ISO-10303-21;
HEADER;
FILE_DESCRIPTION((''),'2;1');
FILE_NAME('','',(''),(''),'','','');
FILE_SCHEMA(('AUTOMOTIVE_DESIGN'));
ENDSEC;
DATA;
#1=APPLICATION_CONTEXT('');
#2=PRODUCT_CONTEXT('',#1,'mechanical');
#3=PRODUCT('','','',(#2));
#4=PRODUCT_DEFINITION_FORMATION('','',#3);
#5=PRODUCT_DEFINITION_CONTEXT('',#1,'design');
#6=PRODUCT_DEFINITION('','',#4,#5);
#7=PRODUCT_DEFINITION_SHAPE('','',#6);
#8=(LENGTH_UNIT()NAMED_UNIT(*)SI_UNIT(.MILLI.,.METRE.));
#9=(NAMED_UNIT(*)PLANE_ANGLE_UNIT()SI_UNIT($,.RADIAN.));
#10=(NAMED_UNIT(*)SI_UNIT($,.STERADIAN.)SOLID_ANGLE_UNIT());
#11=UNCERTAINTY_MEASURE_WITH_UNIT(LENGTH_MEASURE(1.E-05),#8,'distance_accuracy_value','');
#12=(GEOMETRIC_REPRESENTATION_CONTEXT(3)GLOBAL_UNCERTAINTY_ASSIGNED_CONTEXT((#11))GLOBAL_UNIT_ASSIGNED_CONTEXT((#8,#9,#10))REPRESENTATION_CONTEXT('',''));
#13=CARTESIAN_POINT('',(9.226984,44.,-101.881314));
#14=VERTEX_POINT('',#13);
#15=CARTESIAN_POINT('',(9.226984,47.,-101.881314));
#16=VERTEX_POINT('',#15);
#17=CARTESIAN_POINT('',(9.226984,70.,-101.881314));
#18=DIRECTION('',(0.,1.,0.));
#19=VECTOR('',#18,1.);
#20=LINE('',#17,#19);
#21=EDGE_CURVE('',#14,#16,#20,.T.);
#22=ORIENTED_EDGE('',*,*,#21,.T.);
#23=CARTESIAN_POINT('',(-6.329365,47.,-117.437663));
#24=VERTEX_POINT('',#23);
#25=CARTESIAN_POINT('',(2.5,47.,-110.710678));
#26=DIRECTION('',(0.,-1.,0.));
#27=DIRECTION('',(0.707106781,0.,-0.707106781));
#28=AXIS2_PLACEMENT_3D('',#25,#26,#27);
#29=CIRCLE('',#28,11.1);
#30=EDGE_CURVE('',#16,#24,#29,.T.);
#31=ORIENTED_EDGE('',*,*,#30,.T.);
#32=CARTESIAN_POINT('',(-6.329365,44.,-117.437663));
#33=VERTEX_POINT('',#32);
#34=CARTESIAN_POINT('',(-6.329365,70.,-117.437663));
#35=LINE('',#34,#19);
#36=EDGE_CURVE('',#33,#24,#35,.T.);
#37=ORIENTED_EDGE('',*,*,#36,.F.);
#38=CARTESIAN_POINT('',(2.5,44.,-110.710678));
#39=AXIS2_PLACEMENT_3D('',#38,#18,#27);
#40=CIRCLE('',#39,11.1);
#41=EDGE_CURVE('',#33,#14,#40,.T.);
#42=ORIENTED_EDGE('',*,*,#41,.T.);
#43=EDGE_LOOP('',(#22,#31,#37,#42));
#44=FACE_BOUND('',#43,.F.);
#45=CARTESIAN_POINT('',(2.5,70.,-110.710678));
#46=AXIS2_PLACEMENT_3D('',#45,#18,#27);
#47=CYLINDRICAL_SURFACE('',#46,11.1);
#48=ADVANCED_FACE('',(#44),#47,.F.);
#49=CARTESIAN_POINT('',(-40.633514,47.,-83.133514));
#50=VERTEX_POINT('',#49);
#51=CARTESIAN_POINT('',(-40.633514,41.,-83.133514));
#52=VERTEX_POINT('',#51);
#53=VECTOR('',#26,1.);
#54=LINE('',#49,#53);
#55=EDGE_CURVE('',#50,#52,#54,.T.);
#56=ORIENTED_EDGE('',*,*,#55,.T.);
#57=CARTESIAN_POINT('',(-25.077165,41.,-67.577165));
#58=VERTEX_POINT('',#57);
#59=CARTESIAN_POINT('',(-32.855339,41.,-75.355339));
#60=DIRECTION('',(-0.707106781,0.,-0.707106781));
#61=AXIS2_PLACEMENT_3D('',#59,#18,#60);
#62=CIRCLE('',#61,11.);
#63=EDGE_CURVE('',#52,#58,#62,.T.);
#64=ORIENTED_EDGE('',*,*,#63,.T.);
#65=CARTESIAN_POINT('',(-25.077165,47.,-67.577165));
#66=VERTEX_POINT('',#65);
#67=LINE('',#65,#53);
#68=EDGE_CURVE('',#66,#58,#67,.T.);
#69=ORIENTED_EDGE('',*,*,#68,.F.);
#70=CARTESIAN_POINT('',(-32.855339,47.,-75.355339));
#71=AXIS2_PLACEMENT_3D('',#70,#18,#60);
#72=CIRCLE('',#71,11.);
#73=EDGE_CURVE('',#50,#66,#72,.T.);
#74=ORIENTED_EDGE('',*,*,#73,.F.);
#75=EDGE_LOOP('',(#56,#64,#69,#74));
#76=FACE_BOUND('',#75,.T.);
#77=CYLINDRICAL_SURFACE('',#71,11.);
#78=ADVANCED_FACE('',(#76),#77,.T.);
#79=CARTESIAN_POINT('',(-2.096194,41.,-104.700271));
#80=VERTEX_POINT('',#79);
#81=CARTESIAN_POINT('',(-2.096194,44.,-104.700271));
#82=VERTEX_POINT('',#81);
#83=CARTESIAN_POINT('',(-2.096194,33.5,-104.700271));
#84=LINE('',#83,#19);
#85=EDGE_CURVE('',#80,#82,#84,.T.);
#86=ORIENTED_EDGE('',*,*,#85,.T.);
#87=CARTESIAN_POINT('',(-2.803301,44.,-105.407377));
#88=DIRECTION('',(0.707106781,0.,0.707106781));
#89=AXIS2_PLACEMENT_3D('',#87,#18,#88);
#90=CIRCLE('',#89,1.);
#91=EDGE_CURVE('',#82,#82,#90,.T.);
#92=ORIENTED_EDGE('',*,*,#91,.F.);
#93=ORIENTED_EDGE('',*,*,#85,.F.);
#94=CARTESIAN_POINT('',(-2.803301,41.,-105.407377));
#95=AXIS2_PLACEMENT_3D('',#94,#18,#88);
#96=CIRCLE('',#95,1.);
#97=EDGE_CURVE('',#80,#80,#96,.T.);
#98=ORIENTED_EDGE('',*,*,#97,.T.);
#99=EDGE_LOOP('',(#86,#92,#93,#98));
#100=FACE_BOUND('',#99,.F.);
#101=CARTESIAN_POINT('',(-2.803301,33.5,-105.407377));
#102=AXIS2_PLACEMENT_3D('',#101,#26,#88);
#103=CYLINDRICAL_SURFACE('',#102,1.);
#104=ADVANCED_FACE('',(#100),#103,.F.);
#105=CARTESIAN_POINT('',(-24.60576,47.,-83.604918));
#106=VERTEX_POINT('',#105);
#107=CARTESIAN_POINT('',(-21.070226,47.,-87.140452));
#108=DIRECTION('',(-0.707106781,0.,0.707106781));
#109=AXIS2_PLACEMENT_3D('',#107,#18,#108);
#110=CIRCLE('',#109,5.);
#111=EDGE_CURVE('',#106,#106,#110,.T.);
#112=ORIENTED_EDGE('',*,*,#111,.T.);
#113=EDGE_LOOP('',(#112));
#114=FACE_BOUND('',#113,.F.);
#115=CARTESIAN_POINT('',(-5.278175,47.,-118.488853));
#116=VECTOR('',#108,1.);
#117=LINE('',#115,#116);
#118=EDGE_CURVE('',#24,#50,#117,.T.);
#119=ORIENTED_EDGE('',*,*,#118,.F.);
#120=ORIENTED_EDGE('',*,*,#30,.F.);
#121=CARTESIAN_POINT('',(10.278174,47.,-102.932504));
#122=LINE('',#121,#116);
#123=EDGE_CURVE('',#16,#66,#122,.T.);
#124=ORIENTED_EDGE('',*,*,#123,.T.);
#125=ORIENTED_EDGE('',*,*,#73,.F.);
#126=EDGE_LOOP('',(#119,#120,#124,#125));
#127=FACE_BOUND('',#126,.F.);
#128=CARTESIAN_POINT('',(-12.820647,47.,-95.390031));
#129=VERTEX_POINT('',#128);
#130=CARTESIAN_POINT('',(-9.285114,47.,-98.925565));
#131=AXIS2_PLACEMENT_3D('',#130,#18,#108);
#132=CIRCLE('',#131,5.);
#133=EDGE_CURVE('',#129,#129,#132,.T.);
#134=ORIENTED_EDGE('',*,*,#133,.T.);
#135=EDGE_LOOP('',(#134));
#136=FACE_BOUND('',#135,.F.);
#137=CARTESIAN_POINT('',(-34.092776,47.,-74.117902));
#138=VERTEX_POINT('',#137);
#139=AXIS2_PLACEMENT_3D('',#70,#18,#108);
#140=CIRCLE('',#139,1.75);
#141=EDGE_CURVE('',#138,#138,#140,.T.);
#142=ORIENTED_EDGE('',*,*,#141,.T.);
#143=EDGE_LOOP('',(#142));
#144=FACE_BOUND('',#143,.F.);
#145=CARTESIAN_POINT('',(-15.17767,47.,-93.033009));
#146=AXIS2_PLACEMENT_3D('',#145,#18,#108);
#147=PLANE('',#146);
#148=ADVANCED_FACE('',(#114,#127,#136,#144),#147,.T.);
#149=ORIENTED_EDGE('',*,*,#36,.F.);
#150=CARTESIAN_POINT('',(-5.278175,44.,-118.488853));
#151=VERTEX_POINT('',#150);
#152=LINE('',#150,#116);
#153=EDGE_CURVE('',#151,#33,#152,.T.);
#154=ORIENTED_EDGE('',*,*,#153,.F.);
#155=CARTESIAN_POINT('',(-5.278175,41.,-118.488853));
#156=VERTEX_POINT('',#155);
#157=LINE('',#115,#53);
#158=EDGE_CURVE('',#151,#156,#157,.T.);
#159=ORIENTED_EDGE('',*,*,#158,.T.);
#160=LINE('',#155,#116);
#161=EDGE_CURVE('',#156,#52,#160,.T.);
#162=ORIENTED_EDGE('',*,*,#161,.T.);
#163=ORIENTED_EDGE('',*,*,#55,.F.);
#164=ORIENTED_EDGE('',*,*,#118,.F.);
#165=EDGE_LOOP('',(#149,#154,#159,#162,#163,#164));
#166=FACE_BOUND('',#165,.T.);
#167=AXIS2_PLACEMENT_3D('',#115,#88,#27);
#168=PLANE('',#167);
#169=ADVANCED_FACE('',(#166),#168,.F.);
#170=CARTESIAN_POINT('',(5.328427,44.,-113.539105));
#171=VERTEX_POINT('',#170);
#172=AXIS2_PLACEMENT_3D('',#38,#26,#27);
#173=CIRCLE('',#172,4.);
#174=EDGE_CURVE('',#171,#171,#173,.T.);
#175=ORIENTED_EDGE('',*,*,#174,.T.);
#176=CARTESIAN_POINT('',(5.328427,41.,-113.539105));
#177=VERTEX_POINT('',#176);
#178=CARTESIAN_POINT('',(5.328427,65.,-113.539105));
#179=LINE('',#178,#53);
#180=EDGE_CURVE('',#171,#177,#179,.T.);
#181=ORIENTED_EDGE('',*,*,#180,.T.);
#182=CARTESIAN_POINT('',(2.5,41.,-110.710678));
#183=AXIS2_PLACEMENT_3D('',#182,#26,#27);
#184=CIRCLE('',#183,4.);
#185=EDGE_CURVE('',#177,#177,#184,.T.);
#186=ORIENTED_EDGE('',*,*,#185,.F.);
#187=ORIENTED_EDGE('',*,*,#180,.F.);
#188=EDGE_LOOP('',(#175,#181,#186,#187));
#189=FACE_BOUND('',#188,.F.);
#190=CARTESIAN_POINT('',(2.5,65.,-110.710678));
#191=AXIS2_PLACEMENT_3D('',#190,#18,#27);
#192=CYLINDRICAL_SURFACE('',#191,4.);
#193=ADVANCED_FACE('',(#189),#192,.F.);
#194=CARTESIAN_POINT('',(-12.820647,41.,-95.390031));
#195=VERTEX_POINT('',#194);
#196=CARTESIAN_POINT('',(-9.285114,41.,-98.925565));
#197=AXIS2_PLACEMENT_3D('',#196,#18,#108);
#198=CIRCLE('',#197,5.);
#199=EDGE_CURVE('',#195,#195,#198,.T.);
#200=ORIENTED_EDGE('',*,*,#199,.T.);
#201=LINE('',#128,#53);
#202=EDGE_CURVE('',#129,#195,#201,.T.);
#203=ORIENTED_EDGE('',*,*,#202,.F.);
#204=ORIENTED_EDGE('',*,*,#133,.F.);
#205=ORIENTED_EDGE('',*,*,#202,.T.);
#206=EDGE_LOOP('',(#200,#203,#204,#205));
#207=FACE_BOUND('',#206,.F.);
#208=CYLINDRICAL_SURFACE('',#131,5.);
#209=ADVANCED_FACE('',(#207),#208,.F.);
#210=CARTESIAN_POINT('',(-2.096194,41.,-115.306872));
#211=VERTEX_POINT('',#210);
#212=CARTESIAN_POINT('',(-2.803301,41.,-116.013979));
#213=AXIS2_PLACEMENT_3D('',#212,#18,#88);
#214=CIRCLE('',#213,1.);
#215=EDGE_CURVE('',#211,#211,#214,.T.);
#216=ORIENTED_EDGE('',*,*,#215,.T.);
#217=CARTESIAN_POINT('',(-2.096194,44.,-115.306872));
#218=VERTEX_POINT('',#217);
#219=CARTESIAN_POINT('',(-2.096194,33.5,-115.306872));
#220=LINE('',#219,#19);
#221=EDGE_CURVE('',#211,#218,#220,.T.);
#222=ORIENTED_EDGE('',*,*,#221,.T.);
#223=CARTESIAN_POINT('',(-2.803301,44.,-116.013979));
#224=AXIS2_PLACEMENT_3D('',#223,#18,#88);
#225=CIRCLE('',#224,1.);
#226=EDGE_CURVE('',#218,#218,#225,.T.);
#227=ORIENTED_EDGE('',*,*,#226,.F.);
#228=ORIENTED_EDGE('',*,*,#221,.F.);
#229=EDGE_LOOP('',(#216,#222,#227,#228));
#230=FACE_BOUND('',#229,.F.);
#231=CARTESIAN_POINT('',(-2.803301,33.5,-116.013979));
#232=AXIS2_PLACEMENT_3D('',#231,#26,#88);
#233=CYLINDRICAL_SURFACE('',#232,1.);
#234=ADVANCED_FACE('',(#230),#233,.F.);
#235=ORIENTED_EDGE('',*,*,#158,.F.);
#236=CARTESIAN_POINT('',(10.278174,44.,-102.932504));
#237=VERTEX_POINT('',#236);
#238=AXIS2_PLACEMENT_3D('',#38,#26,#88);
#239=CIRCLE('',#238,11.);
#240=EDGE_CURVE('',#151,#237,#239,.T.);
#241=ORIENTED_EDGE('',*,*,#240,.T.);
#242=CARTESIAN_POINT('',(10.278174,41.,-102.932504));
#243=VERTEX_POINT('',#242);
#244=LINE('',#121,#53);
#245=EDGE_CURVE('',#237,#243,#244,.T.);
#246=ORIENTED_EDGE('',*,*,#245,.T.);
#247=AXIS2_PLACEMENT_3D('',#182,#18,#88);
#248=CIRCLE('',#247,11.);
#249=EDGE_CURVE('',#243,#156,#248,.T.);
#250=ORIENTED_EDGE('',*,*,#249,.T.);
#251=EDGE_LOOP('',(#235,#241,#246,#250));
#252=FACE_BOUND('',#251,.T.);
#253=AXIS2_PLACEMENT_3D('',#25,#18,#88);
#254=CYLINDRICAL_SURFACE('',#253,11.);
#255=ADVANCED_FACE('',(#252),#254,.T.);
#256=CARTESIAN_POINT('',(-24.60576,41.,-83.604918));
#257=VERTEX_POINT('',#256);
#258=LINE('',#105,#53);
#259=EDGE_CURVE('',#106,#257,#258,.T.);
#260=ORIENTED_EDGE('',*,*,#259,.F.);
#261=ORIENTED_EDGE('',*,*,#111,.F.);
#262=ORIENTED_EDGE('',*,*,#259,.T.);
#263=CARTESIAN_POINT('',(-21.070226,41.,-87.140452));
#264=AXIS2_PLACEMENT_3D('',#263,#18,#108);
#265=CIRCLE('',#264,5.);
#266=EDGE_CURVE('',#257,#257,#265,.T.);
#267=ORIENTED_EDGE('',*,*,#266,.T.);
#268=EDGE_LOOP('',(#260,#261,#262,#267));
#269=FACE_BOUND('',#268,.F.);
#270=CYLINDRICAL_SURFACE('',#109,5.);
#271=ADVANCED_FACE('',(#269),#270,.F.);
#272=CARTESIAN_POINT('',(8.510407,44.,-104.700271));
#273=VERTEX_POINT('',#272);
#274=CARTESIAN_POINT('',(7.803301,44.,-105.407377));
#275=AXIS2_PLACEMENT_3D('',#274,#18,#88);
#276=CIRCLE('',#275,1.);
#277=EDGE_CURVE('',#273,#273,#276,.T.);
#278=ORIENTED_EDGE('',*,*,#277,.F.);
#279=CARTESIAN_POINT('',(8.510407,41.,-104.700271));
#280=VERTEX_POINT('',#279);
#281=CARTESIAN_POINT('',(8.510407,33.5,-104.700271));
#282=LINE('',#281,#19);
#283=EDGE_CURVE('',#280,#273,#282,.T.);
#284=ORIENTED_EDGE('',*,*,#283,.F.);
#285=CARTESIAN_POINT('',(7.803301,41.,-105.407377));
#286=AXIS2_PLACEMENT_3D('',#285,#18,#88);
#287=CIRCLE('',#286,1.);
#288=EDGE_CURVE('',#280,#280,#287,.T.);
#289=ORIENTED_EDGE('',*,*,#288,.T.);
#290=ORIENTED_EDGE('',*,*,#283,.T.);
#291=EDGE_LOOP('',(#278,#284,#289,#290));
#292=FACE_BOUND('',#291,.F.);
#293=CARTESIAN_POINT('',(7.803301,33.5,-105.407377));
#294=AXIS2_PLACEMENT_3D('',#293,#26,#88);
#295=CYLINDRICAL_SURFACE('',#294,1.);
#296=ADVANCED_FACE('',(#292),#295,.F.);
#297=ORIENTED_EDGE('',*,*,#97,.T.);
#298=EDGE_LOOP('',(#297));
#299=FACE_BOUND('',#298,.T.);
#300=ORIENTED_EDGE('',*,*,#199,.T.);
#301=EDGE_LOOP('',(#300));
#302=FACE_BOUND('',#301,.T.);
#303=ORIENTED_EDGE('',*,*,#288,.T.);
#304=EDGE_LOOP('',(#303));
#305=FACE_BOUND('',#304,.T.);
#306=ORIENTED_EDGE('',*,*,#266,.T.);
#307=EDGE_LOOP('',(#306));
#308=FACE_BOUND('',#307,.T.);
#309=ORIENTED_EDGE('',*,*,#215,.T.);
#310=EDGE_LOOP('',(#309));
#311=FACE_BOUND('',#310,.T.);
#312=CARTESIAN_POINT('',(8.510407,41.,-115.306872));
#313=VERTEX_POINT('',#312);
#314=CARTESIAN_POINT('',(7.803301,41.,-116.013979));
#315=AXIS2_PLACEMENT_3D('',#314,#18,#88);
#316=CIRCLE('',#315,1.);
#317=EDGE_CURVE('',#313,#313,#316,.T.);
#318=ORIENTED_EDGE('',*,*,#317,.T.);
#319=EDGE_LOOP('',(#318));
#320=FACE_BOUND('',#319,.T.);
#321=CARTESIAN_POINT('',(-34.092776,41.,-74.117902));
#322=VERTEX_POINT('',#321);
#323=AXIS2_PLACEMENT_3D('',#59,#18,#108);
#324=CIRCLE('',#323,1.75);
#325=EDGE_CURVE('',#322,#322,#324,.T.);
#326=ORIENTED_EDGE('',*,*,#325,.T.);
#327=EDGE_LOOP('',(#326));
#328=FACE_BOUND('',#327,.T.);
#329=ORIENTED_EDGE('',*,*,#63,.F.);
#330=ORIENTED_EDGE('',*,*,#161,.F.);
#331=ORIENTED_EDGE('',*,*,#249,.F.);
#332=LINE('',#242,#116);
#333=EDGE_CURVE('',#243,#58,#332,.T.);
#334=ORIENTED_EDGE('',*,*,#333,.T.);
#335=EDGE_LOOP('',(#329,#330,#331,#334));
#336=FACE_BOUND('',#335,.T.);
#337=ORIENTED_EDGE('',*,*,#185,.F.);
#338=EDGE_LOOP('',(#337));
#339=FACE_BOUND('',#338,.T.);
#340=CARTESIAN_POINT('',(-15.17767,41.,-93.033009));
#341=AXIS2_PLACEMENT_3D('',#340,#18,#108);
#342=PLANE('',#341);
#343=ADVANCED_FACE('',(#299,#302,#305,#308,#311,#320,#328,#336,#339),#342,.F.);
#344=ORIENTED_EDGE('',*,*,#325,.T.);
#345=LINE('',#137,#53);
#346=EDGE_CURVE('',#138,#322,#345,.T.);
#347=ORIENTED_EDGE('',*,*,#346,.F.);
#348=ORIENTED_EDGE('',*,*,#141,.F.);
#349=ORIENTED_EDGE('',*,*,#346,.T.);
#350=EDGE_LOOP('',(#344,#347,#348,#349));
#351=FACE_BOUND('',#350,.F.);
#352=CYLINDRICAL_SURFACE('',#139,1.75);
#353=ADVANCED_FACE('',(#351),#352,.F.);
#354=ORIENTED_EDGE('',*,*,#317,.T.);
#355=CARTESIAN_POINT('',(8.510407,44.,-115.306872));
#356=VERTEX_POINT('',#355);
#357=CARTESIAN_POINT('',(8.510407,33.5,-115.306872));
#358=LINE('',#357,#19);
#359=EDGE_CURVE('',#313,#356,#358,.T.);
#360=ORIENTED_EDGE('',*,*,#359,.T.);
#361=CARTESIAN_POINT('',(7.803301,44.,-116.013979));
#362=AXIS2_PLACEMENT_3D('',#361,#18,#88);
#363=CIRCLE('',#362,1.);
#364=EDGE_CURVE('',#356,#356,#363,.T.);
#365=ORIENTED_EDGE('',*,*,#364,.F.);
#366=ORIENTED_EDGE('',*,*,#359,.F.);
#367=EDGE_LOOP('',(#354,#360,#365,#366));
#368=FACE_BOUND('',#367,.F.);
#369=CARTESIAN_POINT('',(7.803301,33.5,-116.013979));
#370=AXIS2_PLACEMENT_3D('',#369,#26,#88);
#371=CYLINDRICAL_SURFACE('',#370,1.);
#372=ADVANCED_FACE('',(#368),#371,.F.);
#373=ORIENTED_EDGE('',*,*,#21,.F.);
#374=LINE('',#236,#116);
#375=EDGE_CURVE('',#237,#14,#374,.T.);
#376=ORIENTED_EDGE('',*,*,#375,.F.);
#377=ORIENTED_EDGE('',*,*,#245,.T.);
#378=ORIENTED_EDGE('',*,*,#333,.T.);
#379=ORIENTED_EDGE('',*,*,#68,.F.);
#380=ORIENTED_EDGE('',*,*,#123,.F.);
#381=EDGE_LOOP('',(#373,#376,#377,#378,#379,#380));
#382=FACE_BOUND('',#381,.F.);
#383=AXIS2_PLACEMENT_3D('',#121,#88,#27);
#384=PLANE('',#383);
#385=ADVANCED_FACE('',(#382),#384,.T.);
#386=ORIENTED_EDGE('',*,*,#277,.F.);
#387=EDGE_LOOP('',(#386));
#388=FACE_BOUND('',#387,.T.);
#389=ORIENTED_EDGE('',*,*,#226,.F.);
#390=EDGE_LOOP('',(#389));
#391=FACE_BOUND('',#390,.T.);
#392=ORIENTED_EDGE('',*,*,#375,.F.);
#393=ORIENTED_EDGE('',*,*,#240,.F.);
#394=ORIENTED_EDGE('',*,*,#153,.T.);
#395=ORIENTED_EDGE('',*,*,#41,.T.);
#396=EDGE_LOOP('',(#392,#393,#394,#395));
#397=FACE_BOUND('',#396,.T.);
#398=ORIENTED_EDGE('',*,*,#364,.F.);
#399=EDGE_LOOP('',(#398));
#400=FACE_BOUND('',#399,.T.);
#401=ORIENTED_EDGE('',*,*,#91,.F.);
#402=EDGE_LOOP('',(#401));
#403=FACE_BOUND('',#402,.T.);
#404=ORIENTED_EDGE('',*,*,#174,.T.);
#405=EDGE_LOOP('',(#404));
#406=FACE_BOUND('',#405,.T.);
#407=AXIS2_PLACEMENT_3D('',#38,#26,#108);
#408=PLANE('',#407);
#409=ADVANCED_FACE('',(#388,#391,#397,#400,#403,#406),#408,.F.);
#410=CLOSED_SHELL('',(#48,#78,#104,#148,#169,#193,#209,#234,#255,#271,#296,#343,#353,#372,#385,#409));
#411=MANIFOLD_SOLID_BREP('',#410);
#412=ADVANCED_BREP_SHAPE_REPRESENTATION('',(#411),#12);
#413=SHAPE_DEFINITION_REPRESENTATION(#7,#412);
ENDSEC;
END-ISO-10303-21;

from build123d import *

# Parameters (mm, degrees)
CYLINDER020_R             = 11.1
CYLINDER020_DEPTH         = 26
CYLINDER019_R             = 4
CYLINDER019_DEPTH         = 43
CYLINDER021_R             = 1
CYLINDER021_DEPTH         = 31
CYLINDER024_R             = 1
CYLINDER024_DEPTH         = 31
CYLINDER023_R             = 1
CYLINDER023_DEPTH         = 31
CYLINDER022_R             = 1
CYLINDER022_DEPTH         = 31
FUSION002_ROLL_ANGLE      = -90
FUSION003_PLACEMENT_ANGLE = 180
SKETCH_R                  = 5
SKETCH_R_2                = 1.75
PAD_DEPTH                 = 6
CUT_PITCH_ANGLE           = 90
CLONE020_PITCH_ANGLE      = 45


with BuildPart() as cylinder141:
    # Cylinder020 → Cylinder020 (new body)
    with BuildSketch(Plane(origin=(-3, 71, 73), x_dir=(0, 0, 1), z_dir=(0, -1, 0))):
        Circle(CYLINDER020_R)
    extrude(amount=CYLINDER020_DEPTH)


with BuildPart() as fusion001:
    # Cylinder019 → Cylinder019 (new body)
    with BuildSketch(Plane(origin=(-3, 66, 73), x_dir=(0, 0, 1), z_dir=(0, -1, 0))):
        Circle(CYLINDER019_R)
    extrude(amount=CYLINDER019_DEPTH)

    # Fusion001: union Cylinder141
    add(cylinder141.part)


with BuildPart() as cylinder096:
    # Cylinder021 → Cylinder021 (new body)
    with BuildSketch(Plane(origin=(-7.5, -11, 132), x_dir=(1, 0, 0), z_dir=(0, 0, 1))):
        Circle(CYLINDER021_R)
    extrude(amount=CYLINDER021_DEPTH)


with BuildPart() as cylinder146:
    # Cylinder024 → Cylinder024 (new body)
    with BuildSketch(Plane(origin=(0, -3.5, 132), x_dir=(1, 0, 0), z_dir=(0, 0, 1))):
        Circle(CYLINDER024_R)
    extrude(amount=CYLINDER024_DEPTH)


with BuildPart() as cylinder145:
    # Cylinder023 → Cylinder023 (new body)
    with BuildSketch(Plane(origin=(7.5, -11, 132), x_dir=(1, 0, 0), z_dir=(0, 0, 1))):
        Circle(CYLINDER023_R)
    extrude(amount=CYLINDER023_DEPTH)


with BuildPart() as fusion003:
    # Cylinder022 → Cylinder022 (new body)
    with BuildSketch(Plane(origin=(0, -18.5, 132), x_dir=(1, 0, 0), z_dir=(0, 0, 1))):
        Circle(CYLINDER022_R)
    extrude(amount=CYLINDER022_DEPTH)

    # Fusion002: union Cylinder096, Cylinder146, Cylinder145
    add(cylinder096.part)
    add(cylinder146.part)
    add(cylinder145.part)


with BuildPart() as fusion003_1:
    # Fusion002 roll: moved
    add(fusion003.part.rotate(Axis((0, 0, 0), (1, 0, 0)), FUSION002_ROLL_ANGLE))


with BuildPart() as fusion003_2:
    # Fusion002 placement: moved
    add(fusion003_1.part.moved(Location((-3, -97.5, 62))))

    # Fusion003: union Fusion001
    add(fusion001.part)


with BuildPart() as fusion003_3:
    # Fusion003 placement: moved
    add(fusion003_2.part.moved(Location((-0.5, 88, -87))).rotate(Axis((-0.5, 88, -87), (0, 0, 1)), FUSION003_PLACEMENT_ANGLE))


with BuildPart() as clone_of_cut:
    # Sketch → Pad (new body)
    with BuildSketch(Plane(origin=(-11.5, 40, -16.5), x_dir=(0, 0, -1), z_dir=(0, 1, 0))):
        with BuildLine():
            Line((-2.5, -3), (47.5, -3))
            ThreePointArc((47.5, -25), (58.5, -14), (47.5, -3))
            Line((-2.5, -25), (47.5, -25))
            ThreePointArc((-2.5, -3), (-13.5, -14), (-2.5, -25))
        make_face()
        with Locations((14.166667, -14)):
            Circle(SKETCH_R, mode=Mode.SUBTRACT)
        with Locations((30.833333, -14)):
            Circle(SKETCH_R, mode=Mode.SUBTRACT)
        with Locations((47.5, -14)):
            Circle(SKETCH_R_2, mode=Mode.SUBTRACT)
    extrude(amount=PAD_DEPTH)

    # Cut: cut Fusion003
    add(fusion003_3.part, mode=Mode.SUBTRACT)


with BuildPart() as clone_of_cut_1:
    # Cut pitch: moved
    add(clone_of_cut.part.rotate(Axis((0, 0, 0), (0, 1, 0)), CUT_PITCH_ANGLE))


with BuildPart() as clone_of_cut_2:
    # Cut placement: moved
    add(clone_of_cut_1.part.moved(Location((16.5, -87, -15))))


with BuildPart() as clone_of_cut_3:
    # Clone010 placement: moved
    add(clone_of_cut_2.part.moved(Location((0, 0, -22.5))))


with BuildPart() as clone020:
    # Part__Mirroring026: instance of Clone of Cut
    add(clone_of_cut_3.part.mirror(Plane(origin=(0, 0, 0), x_dir=(1, 0, 0), z_dir=(0, 1, 0))))


with BuildPart() as clone020_1:
    # Clone020 pitch: moved
    add(clone020.part.rotate(Axis((0, 0, 0), (0, 1, 0)), CLONE020_PITCH_ANGLE))


with BuildPart() as clone020_2:
    # Clone020 placement: moved
    add(clone020_1.part.moved(Location((29.016504, 0, -80.65864))))


solid = clone020_2.part
